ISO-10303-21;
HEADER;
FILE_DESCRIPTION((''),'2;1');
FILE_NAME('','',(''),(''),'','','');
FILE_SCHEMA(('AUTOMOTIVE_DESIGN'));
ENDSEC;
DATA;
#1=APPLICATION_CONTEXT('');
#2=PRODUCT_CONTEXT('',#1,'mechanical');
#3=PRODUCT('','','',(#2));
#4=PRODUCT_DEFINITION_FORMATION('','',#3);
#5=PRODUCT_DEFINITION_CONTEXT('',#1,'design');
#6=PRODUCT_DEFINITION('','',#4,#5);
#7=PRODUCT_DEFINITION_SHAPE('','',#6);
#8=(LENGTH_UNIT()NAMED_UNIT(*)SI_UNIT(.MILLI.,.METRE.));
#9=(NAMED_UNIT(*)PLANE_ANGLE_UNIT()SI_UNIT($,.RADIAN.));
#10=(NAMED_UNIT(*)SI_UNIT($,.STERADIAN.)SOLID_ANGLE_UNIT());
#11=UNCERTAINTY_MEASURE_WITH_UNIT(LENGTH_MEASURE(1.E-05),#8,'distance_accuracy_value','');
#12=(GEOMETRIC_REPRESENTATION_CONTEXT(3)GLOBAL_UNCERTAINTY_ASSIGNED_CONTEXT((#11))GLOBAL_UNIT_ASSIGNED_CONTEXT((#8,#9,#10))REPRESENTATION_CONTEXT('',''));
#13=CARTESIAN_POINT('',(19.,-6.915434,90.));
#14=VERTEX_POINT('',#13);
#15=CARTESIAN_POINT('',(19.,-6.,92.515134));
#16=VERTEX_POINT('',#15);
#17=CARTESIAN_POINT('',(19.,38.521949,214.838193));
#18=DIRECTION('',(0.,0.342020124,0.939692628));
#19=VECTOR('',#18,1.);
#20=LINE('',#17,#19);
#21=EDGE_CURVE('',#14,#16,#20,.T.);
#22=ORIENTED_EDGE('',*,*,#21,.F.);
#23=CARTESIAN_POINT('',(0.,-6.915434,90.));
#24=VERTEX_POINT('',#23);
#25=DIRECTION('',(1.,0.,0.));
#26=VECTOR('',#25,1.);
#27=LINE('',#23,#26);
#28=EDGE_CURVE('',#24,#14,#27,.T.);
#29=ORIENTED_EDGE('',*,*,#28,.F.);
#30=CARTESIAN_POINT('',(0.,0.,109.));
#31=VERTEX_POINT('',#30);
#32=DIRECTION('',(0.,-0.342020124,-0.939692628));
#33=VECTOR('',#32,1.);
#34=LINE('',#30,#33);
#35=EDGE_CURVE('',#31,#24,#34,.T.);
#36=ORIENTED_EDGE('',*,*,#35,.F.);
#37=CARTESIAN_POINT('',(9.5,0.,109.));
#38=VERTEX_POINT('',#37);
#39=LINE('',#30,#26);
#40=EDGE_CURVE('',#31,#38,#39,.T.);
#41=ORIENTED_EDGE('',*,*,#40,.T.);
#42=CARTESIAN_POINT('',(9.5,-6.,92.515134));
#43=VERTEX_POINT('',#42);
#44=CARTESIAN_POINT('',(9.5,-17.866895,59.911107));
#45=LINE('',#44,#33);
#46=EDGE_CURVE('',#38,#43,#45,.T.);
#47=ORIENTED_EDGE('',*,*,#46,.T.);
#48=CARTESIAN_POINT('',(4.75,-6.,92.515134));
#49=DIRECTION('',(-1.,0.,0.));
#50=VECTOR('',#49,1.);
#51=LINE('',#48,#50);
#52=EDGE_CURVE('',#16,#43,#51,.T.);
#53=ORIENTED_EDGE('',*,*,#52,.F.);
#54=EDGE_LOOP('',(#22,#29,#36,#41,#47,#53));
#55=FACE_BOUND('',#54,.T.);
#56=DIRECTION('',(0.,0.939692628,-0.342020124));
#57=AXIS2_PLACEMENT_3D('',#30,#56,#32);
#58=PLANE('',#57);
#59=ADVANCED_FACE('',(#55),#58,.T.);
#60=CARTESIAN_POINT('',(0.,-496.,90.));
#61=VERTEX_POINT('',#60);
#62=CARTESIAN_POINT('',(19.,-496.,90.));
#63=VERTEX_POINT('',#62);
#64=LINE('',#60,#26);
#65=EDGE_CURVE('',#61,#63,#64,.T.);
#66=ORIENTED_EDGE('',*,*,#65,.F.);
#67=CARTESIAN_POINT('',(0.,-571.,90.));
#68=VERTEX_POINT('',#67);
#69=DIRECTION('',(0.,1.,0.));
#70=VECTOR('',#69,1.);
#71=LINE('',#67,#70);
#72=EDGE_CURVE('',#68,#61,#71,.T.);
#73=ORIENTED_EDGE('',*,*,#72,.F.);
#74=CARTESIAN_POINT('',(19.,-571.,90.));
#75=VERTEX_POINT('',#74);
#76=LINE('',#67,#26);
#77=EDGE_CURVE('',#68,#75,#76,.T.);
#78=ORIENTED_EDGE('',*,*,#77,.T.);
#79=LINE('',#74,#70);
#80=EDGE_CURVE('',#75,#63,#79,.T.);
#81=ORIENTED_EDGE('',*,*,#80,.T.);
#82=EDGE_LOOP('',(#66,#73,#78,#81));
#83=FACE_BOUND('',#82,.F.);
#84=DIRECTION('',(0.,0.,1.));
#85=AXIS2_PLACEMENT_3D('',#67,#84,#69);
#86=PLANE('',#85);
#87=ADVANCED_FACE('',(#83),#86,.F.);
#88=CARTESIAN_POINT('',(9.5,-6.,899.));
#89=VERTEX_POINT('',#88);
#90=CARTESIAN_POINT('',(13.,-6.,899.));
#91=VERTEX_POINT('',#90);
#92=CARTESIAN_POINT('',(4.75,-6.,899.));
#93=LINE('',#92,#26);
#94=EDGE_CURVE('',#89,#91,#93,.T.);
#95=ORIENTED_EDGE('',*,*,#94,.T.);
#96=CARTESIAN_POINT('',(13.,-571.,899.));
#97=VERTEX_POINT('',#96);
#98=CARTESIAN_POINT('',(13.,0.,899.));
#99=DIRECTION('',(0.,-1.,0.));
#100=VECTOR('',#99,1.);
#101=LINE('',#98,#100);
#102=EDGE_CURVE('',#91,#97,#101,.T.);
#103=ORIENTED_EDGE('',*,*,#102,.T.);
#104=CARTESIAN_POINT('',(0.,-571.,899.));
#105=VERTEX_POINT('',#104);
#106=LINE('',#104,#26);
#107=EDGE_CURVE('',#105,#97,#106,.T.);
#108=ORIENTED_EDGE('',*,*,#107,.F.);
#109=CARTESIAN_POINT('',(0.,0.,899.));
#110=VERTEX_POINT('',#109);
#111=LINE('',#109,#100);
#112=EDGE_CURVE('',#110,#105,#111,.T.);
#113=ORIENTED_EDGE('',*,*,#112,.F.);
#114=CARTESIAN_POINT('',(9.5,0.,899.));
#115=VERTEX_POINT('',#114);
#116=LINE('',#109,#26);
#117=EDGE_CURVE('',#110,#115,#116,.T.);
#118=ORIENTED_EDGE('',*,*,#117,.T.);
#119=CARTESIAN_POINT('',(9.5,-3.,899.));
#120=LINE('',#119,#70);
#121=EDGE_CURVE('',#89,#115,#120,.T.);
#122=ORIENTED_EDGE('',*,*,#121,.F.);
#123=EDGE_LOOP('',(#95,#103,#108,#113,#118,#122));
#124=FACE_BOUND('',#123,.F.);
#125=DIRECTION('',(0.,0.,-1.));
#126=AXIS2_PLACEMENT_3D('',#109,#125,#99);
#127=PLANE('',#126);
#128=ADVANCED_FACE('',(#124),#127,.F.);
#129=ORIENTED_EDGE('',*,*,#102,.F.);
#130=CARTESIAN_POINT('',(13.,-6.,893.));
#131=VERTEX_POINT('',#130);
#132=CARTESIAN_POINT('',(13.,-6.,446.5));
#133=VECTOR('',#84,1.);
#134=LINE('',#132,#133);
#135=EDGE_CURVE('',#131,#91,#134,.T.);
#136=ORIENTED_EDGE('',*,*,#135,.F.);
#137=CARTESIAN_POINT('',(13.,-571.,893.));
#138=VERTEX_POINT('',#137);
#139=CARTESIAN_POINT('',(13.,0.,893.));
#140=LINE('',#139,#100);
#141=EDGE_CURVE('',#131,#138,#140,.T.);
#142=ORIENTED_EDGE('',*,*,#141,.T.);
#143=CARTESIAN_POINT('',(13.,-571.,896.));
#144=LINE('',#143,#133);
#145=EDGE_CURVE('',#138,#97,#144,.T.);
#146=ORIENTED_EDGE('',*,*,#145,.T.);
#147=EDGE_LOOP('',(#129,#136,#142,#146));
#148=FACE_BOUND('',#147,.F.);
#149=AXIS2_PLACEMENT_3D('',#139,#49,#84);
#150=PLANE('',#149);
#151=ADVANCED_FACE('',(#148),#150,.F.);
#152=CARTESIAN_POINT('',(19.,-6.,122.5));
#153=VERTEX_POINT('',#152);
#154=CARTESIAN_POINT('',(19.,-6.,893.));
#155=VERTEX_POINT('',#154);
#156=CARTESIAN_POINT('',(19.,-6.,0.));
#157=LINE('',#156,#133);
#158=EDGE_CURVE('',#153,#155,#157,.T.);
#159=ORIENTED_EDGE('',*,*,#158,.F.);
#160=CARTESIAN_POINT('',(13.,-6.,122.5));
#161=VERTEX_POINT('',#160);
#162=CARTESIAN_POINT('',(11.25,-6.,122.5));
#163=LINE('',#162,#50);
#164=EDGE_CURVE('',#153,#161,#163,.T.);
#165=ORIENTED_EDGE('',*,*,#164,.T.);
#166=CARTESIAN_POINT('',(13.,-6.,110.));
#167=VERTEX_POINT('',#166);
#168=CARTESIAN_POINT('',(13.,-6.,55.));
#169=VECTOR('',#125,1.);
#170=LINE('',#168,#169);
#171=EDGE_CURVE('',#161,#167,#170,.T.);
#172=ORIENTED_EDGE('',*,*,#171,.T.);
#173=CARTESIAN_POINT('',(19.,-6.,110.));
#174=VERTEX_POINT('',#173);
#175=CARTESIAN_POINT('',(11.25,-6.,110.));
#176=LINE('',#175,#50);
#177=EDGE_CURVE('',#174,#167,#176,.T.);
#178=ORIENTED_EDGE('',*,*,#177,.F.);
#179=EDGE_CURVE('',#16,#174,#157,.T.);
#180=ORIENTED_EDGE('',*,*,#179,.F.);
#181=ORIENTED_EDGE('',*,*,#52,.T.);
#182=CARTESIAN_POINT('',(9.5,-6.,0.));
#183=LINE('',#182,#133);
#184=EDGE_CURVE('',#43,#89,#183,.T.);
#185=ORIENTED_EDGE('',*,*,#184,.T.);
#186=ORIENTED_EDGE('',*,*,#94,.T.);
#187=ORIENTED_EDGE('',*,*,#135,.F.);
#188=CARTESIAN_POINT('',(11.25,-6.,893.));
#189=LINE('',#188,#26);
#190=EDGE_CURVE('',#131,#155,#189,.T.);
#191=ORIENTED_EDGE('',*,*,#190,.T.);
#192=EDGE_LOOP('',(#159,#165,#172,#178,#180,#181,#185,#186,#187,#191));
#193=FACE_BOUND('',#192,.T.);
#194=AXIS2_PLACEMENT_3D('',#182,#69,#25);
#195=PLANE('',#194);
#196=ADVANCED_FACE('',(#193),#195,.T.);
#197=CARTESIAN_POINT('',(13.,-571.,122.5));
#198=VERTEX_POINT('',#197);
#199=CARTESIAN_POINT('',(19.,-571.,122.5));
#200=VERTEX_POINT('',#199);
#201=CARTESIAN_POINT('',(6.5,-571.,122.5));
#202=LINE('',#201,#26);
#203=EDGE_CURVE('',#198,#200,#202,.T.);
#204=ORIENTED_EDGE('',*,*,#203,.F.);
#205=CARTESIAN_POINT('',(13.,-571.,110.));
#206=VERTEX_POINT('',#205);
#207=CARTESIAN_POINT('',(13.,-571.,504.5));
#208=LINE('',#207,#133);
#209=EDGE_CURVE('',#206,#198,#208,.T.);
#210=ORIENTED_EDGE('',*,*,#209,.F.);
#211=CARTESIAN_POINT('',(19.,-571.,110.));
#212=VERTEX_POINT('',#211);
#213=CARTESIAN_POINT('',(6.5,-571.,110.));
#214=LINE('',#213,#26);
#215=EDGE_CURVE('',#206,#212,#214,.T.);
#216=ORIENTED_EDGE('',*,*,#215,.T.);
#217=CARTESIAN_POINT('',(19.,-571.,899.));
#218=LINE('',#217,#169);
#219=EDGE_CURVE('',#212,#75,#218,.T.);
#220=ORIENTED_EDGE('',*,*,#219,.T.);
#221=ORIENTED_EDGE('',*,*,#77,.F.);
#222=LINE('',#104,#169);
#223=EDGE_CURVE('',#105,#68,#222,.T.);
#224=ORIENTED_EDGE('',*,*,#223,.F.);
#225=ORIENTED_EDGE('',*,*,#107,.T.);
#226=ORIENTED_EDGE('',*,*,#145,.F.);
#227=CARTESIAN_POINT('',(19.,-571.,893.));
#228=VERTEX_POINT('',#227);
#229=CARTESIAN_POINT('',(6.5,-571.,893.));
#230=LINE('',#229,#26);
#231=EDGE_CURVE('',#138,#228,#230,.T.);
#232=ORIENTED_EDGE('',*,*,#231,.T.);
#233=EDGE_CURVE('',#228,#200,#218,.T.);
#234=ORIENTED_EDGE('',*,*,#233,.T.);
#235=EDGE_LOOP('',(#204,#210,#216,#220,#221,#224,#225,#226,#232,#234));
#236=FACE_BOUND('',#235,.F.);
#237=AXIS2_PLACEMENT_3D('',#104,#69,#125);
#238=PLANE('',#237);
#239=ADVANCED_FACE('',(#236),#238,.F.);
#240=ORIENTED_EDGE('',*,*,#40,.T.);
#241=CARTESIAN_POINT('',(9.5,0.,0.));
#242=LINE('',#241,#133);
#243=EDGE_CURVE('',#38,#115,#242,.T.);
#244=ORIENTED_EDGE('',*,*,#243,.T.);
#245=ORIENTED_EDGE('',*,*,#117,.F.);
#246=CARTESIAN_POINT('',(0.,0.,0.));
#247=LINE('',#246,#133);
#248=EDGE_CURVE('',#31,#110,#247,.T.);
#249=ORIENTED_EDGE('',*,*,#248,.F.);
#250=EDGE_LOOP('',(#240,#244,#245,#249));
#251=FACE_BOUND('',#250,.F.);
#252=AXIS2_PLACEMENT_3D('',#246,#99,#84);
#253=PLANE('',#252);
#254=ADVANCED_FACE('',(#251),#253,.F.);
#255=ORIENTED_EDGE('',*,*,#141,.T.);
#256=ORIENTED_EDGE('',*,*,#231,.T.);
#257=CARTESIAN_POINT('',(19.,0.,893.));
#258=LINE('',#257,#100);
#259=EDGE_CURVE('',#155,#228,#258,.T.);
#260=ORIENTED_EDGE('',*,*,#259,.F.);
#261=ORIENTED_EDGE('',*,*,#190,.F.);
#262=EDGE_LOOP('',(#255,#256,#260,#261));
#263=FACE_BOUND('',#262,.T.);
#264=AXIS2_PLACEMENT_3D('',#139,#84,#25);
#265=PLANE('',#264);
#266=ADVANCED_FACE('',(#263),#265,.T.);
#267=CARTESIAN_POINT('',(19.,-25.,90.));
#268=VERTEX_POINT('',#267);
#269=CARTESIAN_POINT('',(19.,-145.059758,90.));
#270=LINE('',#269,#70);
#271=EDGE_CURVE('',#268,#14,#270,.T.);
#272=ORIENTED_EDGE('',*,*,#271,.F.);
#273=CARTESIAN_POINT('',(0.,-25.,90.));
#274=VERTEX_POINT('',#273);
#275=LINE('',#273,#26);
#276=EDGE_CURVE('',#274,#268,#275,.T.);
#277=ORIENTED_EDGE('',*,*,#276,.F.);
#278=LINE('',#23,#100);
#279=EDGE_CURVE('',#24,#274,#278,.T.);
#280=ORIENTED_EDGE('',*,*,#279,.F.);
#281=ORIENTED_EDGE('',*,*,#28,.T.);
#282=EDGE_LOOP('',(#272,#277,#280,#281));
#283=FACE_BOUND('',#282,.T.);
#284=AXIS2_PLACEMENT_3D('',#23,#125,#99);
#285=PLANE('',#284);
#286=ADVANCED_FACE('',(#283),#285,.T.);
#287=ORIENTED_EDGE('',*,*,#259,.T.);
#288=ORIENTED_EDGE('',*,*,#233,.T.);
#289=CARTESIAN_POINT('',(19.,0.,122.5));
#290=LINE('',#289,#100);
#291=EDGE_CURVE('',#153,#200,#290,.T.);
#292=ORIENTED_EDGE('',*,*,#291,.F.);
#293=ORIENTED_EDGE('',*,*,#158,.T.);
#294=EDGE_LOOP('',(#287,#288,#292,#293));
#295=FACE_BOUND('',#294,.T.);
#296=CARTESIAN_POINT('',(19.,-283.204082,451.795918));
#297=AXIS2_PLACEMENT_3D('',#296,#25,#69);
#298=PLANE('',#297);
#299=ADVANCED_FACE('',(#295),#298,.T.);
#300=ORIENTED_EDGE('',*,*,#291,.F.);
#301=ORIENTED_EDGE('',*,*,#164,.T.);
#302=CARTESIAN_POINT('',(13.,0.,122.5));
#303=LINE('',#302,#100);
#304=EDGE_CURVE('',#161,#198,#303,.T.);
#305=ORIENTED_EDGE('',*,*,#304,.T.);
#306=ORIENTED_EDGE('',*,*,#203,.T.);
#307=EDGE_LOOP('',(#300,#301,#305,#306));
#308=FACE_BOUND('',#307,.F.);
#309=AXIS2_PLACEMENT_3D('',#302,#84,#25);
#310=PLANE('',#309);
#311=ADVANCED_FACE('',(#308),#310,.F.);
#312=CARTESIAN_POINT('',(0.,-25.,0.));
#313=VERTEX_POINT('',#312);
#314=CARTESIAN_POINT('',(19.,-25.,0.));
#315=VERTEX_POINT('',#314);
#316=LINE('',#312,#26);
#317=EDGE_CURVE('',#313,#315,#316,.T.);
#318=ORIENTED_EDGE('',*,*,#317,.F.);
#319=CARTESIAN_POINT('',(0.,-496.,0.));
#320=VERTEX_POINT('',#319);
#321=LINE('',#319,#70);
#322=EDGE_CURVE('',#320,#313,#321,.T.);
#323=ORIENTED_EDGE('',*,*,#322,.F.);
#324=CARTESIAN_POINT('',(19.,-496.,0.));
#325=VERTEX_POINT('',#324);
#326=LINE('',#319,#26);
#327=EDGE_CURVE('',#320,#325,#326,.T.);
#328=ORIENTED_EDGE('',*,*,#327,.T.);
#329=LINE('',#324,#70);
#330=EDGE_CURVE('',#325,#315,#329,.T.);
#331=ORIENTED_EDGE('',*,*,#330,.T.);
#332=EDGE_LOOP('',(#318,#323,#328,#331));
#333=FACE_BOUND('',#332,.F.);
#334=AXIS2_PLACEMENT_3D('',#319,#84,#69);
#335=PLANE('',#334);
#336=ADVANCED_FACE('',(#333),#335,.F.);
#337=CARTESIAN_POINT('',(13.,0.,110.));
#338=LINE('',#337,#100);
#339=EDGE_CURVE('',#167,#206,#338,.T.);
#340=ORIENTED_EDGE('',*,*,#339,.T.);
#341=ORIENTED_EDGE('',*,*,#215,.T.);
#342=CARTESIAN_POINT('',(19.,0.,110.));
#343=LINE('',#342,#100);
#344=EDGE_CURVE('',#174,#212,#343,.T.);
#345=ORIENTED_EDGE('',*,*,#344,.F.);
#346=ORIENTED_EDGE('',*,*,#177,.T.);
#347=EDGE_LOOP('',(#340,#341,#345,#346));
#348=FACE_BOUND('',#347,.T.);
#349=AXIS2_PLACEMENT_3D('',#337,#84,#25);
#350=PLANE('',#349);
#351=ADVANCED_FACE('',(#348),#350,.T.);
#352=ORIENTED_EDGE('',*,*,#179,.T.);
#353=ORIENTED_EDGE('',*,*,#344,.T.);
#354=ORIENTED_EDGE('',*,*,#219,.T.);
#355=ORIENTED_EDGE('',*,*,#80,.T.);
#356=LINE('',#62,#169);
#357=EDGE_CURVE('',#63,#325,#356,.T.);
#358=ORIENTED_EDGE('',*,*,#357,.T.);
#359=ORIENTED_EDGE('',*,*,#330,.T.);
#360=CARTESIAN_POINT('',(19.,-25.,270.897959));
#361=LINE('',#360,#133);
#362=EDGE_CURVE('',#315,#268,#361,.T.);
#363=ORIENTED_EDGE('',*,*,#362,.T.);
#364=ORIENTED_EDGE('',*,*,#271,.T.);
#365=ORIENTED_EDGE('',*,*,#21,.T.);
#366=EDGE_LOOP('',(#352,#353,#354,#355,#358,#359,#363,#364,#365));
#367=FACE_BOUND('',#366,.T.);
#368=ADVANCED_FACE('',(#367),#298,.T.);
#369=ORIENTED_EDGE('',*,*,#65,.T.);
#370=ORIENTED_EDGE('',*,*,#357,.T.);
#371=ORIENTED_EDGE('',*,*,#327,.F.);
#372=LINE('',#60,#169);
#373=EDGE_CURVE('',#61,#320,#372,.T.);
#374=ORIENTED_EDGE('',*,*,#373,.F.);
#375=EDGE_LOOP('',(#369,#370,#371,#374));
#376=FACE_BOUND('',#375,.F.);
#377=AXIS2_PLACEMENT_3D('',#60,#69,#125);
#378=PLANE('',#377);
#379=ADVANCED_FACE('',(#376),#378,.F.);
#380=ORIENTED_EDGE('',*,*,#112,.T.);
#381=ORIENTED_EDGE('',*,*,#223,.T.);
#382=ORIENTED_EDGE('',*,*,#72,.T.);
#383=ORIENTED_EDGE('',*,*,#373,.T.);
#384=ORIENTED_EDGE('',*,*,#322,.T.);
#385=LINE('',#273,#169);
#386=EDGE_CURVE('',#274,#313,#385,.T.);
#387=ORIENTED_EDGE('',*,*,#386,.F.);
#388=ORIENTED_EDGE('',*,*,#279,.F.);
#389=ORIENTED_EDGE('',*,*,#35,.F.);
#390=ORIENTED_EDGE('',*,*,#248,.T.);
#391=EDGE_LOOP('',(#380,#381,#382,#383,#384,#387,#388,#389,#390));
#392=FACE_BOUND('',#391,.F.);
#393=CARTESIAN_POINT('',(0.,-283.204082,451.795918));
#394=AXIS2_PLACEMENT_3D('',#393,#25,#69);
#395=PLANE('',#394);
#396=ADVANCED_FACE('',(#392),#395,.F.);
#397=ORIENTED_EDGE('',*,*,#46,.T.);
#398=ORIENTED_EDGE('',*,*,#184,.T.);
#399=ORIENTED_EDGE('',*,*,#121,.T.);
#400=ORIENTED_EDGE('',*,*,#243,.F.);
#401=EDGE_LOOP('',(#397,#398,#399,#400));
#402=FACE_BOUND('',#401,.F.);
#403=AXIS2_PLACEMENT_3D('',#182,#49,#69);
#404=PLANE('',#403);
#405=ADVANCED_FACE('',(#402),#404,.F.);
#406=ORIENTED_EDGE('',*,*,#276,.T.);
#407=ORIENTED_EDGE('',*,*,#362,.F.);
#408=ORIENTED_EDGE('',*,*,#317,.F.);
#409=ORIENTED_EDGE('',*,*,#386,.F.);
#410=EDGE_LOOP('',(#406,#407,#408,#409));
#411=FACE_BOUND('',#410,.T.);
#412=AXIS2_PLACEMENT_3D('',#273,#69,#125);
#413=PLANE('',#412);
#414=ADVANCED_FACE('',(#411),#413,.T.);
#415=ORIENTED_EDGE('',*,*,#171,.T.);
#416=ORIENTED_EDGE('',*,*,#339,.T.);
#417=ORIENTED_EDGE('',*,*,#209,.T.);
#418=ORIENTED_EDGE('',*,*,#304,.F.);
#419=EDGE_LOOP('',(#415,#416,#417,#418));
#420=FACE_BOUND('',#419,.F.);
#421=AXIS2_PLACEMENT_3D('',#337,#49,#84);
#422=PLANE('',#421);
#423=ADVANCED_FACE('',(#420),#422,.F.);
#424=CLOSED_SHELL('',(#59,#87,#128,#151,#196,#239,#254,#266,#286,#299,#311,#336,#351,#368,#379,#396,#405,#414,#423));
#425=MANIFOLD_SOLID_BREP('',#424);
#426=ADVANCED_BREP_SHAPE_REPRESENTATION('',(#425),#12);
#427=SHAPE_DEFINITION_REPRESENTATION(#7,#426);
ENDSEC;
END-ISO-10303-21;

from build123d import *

# Parameters (mm, degrees)
F1_DEPTH = 19
F2_W     = 6
F2_H     = 12.5
F3_DEPTH = 571.001
F4_W     = 9.5
F4_H     = 6
F5_DEPTH = 899.001
F7_DEPTH = 19.001
F8_W     = 6
F8_H     = 6
F9_DEPTH = 571.001


with BuildPart() as f1:
    # F0 (on Right) → F1 (new body)
    with BuildSketch(Plane.YZ):
        Polygon((-496, 0), (0, 0), (0, 899), (-571, 899), (-571, 90), (-496, 90), align=None)
    extrude(amount=F1_DEPTH)

    # F2 (on Front) → F3 (cut, through all)
    with BuildSketch(Plane.XZ):
        with Locations((16, 116.25)):
            Rectangle(F2_W, F2_H)
    extrude(amount=F3_DEPTH, mode=Mode.SUBTRACT)

    # F4 (on Top) → F5 (cut, through all)
    with BuildSketch(Plane.XY):
        with Locations((14.25, -3)):
            Rectangle(F4_W, F4_H)
    extrude(amount=F5_DEPTH, mode=Mode.SUBTRACT)

    # F6 (on Right) → F7 (cut, through all)
    with BuildSketch(Plane.YZ):
        Polygon((-25, 0), (0, 0), (0, 109), (-6.915434, 90), (-25, 90), align=None)
    extrude(amount=F7_DEPTH, mode=Mode.SUBTRACT)

    # F8 (on Front) → F9 (cut, through all)
    with BuildSketch(Plane.XZ):
        with Locations((16, 896)):
            Rectangle(F8_W, F8_H)
    extrude(amount=F9_DEPTH, mode=Mode.SUBTRACT)


solid = f1.part
